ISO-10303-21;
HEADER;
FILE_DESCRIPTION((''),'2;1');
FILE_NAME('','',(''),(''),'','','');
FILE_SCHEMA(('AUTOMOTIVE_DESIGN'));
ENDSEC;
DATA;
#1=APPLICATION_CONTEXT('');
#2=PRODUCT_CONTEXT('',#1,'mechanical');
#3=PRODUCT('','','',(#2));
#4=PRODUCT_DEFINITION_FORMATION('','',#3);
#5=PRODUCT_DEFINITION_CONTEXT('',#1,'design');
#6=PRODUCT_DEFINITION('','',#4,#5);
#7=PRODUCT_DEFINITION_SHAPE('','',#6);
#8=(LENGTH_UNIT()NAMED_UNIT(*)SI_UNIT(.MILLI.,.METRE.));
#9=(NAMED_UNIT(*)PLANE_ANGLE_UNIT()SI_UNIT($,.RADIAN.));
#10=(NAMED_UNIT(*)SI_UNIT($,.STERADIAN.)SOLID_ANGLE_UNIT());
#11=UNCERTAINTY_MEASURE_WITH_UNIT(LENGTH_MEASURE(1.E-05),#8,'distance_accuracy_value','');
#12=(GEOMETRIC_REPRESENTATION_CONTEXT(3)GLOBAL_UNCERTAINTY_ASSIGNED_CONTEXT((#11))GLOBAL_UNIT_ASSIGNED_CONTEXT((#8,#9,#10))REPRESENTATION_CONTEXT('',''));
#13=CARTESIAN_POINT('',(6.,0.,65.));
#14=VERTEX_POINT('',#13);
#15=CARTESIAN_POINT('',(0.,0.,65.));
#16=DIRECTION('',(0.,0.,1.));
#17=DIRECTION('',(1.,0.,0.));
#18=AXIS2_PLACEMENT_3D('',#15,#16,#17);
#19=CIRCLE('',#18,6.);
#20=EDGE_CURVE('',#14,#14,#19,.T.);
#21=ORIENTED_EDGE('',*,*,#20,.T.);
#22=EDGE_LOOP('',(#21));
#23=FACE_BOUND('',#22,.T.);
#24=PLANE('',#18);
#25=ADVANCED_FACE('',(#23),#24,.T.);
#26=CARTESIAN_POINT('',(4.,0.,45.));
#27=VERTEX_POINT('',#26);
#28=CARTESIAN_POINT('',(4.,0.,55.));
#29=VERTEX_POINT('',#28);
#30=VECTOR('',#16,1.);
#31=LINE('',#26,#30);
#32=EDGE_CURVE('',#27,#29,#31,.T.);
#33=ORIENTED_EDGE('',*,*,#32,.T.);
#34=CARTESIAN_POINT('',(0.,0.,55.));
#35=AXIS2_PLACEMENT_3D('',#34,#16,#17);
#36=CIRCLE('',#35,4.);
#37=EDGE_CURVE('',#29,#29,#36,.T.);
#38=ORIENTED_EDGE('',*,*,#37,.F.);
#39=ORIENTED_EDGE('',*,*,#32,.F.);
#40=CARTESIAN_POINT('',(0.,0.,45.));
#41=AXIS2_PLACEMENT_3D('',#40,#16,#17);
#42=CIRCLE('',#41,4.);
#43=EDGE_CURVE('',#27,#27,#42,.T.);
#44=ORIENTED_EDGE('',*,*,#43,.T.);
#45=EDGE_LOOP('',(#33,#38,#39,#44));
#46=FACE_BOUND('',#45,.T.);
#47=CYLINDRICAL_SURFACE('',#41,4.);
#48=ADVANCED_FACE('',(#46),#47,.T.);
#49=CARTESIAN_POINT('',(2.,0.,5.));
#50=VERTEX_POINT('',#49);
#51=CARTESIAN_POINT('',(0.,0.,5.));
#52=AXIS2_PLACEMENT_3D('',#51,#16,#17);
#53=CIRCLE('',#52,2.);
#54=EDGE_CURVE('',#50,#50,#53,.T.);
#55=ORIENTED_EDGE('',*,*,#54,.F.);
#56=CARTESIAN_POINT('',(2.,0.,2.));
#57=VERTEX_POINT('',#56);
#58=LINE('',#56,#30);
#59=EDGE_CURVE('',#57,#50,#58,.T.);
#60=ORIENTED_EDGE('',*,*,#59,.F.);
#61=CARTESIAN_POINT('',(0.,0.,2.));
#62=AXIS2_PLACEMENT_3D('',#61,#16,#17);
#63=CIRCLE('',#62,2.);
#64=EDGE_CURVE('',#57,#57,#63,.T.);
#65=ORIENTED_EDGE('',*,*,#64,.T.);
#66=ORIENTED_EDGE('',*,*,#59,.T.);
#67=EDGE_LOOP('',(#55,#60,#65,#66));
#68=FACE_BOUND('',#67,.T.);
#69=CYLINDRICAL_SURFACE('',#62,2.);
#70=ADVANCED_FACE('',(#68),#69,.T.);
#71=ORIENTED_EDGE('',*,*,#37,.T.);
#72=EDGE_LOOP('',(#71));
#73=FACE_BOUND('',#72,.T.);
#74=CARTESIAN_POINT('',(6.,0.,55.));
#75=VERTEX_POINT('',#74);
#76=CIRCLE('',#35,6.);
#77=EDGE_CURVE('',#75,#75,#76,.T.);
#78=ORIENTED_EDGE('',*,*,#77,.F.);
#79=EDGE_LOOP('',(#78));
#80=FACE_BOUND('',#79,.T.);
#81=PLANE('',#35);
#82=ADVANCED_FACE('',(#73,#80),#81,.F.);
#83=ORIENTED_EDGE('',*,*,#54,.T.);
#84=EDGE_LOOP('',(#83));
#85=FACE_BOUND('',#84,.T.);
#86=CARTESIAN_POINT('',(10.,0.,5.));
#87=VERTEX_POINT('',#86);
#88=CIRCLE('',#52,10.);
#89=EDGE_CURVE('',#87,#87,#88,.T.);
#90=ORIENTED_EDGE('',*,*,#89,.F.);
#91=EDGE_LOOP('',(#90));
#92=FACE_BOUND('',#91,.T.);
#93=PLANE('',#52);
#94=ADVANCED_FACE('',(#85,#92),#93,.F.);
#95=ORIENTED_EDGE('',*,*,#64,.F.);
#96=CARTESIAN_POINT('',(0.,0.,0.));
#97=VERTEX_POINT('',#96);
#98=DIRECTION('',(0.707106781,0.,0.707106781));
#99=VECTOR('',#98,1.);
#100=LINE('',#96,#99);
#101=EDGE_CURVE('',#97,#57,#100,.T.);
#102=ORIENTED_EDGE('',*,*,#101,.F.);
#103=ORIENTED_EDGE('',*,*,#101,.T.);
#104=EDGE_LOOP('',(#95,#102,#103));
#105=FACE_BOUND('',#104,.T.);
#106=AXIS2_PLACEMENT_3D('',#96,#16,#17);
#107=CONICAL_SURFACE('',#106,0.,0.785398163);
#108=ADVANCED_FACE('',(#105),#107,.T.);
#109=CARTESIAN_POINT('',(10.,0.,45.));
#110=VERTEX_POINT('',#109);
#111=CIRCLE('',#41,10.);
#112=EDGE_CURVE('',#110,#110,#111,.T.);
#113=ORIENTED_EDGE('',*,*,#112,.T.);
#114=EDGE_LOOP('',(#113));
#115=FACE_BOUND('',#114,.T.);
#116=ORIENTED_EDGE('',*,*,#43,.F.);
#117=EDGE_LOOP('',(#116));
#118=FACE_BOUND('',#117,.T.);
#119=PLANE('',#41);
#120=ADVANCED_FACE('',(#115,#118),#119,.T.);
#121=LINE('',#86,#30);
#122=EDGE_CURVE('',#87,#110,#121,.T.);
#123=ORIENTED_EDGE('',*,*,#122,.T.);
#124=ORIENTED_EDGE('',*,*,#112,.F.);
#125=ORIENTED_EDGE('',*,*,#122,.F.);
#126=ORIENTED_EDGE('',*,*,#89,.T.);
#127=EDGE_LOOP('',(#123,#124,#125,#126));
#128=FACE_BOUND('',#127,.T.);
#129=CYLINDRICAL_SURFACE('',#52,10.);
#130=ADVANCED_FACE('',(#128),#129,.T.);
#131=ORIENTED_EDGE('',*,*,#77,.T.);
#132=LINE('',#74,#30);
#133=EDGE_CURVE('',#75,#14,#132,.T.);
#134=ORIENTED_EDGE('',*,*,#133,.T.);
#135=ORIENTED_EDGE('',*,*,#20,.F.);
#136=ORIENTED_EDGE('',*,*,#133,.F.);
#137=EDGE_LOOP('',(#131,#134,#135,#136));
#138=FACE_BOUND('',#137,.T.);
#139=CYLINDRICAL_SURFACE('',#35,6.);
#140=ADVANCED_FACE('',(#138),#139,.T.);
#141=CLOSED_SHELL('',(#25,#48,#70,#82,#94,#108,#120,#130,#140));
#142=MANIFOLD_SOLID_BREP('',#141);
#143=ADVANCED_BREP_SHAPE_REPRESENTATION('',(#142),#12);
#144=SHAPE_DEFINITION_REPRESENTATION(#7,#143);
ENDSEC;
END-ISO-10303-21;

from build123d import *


with BuildPart() as part:
    # Sketch → Revolution (revolve)
    with BuildSketch(Plane.XZ):
        Polygon((0, 0), (2, 2), (2, 5), (10, 5), (10, 45), (4, 45), (4, 55), (6, 55), (6, 65), (0, 65), align=None)
    revolve(axis=Axis((0, 0, 0), (0, 0, 1)))


solid = part.part
